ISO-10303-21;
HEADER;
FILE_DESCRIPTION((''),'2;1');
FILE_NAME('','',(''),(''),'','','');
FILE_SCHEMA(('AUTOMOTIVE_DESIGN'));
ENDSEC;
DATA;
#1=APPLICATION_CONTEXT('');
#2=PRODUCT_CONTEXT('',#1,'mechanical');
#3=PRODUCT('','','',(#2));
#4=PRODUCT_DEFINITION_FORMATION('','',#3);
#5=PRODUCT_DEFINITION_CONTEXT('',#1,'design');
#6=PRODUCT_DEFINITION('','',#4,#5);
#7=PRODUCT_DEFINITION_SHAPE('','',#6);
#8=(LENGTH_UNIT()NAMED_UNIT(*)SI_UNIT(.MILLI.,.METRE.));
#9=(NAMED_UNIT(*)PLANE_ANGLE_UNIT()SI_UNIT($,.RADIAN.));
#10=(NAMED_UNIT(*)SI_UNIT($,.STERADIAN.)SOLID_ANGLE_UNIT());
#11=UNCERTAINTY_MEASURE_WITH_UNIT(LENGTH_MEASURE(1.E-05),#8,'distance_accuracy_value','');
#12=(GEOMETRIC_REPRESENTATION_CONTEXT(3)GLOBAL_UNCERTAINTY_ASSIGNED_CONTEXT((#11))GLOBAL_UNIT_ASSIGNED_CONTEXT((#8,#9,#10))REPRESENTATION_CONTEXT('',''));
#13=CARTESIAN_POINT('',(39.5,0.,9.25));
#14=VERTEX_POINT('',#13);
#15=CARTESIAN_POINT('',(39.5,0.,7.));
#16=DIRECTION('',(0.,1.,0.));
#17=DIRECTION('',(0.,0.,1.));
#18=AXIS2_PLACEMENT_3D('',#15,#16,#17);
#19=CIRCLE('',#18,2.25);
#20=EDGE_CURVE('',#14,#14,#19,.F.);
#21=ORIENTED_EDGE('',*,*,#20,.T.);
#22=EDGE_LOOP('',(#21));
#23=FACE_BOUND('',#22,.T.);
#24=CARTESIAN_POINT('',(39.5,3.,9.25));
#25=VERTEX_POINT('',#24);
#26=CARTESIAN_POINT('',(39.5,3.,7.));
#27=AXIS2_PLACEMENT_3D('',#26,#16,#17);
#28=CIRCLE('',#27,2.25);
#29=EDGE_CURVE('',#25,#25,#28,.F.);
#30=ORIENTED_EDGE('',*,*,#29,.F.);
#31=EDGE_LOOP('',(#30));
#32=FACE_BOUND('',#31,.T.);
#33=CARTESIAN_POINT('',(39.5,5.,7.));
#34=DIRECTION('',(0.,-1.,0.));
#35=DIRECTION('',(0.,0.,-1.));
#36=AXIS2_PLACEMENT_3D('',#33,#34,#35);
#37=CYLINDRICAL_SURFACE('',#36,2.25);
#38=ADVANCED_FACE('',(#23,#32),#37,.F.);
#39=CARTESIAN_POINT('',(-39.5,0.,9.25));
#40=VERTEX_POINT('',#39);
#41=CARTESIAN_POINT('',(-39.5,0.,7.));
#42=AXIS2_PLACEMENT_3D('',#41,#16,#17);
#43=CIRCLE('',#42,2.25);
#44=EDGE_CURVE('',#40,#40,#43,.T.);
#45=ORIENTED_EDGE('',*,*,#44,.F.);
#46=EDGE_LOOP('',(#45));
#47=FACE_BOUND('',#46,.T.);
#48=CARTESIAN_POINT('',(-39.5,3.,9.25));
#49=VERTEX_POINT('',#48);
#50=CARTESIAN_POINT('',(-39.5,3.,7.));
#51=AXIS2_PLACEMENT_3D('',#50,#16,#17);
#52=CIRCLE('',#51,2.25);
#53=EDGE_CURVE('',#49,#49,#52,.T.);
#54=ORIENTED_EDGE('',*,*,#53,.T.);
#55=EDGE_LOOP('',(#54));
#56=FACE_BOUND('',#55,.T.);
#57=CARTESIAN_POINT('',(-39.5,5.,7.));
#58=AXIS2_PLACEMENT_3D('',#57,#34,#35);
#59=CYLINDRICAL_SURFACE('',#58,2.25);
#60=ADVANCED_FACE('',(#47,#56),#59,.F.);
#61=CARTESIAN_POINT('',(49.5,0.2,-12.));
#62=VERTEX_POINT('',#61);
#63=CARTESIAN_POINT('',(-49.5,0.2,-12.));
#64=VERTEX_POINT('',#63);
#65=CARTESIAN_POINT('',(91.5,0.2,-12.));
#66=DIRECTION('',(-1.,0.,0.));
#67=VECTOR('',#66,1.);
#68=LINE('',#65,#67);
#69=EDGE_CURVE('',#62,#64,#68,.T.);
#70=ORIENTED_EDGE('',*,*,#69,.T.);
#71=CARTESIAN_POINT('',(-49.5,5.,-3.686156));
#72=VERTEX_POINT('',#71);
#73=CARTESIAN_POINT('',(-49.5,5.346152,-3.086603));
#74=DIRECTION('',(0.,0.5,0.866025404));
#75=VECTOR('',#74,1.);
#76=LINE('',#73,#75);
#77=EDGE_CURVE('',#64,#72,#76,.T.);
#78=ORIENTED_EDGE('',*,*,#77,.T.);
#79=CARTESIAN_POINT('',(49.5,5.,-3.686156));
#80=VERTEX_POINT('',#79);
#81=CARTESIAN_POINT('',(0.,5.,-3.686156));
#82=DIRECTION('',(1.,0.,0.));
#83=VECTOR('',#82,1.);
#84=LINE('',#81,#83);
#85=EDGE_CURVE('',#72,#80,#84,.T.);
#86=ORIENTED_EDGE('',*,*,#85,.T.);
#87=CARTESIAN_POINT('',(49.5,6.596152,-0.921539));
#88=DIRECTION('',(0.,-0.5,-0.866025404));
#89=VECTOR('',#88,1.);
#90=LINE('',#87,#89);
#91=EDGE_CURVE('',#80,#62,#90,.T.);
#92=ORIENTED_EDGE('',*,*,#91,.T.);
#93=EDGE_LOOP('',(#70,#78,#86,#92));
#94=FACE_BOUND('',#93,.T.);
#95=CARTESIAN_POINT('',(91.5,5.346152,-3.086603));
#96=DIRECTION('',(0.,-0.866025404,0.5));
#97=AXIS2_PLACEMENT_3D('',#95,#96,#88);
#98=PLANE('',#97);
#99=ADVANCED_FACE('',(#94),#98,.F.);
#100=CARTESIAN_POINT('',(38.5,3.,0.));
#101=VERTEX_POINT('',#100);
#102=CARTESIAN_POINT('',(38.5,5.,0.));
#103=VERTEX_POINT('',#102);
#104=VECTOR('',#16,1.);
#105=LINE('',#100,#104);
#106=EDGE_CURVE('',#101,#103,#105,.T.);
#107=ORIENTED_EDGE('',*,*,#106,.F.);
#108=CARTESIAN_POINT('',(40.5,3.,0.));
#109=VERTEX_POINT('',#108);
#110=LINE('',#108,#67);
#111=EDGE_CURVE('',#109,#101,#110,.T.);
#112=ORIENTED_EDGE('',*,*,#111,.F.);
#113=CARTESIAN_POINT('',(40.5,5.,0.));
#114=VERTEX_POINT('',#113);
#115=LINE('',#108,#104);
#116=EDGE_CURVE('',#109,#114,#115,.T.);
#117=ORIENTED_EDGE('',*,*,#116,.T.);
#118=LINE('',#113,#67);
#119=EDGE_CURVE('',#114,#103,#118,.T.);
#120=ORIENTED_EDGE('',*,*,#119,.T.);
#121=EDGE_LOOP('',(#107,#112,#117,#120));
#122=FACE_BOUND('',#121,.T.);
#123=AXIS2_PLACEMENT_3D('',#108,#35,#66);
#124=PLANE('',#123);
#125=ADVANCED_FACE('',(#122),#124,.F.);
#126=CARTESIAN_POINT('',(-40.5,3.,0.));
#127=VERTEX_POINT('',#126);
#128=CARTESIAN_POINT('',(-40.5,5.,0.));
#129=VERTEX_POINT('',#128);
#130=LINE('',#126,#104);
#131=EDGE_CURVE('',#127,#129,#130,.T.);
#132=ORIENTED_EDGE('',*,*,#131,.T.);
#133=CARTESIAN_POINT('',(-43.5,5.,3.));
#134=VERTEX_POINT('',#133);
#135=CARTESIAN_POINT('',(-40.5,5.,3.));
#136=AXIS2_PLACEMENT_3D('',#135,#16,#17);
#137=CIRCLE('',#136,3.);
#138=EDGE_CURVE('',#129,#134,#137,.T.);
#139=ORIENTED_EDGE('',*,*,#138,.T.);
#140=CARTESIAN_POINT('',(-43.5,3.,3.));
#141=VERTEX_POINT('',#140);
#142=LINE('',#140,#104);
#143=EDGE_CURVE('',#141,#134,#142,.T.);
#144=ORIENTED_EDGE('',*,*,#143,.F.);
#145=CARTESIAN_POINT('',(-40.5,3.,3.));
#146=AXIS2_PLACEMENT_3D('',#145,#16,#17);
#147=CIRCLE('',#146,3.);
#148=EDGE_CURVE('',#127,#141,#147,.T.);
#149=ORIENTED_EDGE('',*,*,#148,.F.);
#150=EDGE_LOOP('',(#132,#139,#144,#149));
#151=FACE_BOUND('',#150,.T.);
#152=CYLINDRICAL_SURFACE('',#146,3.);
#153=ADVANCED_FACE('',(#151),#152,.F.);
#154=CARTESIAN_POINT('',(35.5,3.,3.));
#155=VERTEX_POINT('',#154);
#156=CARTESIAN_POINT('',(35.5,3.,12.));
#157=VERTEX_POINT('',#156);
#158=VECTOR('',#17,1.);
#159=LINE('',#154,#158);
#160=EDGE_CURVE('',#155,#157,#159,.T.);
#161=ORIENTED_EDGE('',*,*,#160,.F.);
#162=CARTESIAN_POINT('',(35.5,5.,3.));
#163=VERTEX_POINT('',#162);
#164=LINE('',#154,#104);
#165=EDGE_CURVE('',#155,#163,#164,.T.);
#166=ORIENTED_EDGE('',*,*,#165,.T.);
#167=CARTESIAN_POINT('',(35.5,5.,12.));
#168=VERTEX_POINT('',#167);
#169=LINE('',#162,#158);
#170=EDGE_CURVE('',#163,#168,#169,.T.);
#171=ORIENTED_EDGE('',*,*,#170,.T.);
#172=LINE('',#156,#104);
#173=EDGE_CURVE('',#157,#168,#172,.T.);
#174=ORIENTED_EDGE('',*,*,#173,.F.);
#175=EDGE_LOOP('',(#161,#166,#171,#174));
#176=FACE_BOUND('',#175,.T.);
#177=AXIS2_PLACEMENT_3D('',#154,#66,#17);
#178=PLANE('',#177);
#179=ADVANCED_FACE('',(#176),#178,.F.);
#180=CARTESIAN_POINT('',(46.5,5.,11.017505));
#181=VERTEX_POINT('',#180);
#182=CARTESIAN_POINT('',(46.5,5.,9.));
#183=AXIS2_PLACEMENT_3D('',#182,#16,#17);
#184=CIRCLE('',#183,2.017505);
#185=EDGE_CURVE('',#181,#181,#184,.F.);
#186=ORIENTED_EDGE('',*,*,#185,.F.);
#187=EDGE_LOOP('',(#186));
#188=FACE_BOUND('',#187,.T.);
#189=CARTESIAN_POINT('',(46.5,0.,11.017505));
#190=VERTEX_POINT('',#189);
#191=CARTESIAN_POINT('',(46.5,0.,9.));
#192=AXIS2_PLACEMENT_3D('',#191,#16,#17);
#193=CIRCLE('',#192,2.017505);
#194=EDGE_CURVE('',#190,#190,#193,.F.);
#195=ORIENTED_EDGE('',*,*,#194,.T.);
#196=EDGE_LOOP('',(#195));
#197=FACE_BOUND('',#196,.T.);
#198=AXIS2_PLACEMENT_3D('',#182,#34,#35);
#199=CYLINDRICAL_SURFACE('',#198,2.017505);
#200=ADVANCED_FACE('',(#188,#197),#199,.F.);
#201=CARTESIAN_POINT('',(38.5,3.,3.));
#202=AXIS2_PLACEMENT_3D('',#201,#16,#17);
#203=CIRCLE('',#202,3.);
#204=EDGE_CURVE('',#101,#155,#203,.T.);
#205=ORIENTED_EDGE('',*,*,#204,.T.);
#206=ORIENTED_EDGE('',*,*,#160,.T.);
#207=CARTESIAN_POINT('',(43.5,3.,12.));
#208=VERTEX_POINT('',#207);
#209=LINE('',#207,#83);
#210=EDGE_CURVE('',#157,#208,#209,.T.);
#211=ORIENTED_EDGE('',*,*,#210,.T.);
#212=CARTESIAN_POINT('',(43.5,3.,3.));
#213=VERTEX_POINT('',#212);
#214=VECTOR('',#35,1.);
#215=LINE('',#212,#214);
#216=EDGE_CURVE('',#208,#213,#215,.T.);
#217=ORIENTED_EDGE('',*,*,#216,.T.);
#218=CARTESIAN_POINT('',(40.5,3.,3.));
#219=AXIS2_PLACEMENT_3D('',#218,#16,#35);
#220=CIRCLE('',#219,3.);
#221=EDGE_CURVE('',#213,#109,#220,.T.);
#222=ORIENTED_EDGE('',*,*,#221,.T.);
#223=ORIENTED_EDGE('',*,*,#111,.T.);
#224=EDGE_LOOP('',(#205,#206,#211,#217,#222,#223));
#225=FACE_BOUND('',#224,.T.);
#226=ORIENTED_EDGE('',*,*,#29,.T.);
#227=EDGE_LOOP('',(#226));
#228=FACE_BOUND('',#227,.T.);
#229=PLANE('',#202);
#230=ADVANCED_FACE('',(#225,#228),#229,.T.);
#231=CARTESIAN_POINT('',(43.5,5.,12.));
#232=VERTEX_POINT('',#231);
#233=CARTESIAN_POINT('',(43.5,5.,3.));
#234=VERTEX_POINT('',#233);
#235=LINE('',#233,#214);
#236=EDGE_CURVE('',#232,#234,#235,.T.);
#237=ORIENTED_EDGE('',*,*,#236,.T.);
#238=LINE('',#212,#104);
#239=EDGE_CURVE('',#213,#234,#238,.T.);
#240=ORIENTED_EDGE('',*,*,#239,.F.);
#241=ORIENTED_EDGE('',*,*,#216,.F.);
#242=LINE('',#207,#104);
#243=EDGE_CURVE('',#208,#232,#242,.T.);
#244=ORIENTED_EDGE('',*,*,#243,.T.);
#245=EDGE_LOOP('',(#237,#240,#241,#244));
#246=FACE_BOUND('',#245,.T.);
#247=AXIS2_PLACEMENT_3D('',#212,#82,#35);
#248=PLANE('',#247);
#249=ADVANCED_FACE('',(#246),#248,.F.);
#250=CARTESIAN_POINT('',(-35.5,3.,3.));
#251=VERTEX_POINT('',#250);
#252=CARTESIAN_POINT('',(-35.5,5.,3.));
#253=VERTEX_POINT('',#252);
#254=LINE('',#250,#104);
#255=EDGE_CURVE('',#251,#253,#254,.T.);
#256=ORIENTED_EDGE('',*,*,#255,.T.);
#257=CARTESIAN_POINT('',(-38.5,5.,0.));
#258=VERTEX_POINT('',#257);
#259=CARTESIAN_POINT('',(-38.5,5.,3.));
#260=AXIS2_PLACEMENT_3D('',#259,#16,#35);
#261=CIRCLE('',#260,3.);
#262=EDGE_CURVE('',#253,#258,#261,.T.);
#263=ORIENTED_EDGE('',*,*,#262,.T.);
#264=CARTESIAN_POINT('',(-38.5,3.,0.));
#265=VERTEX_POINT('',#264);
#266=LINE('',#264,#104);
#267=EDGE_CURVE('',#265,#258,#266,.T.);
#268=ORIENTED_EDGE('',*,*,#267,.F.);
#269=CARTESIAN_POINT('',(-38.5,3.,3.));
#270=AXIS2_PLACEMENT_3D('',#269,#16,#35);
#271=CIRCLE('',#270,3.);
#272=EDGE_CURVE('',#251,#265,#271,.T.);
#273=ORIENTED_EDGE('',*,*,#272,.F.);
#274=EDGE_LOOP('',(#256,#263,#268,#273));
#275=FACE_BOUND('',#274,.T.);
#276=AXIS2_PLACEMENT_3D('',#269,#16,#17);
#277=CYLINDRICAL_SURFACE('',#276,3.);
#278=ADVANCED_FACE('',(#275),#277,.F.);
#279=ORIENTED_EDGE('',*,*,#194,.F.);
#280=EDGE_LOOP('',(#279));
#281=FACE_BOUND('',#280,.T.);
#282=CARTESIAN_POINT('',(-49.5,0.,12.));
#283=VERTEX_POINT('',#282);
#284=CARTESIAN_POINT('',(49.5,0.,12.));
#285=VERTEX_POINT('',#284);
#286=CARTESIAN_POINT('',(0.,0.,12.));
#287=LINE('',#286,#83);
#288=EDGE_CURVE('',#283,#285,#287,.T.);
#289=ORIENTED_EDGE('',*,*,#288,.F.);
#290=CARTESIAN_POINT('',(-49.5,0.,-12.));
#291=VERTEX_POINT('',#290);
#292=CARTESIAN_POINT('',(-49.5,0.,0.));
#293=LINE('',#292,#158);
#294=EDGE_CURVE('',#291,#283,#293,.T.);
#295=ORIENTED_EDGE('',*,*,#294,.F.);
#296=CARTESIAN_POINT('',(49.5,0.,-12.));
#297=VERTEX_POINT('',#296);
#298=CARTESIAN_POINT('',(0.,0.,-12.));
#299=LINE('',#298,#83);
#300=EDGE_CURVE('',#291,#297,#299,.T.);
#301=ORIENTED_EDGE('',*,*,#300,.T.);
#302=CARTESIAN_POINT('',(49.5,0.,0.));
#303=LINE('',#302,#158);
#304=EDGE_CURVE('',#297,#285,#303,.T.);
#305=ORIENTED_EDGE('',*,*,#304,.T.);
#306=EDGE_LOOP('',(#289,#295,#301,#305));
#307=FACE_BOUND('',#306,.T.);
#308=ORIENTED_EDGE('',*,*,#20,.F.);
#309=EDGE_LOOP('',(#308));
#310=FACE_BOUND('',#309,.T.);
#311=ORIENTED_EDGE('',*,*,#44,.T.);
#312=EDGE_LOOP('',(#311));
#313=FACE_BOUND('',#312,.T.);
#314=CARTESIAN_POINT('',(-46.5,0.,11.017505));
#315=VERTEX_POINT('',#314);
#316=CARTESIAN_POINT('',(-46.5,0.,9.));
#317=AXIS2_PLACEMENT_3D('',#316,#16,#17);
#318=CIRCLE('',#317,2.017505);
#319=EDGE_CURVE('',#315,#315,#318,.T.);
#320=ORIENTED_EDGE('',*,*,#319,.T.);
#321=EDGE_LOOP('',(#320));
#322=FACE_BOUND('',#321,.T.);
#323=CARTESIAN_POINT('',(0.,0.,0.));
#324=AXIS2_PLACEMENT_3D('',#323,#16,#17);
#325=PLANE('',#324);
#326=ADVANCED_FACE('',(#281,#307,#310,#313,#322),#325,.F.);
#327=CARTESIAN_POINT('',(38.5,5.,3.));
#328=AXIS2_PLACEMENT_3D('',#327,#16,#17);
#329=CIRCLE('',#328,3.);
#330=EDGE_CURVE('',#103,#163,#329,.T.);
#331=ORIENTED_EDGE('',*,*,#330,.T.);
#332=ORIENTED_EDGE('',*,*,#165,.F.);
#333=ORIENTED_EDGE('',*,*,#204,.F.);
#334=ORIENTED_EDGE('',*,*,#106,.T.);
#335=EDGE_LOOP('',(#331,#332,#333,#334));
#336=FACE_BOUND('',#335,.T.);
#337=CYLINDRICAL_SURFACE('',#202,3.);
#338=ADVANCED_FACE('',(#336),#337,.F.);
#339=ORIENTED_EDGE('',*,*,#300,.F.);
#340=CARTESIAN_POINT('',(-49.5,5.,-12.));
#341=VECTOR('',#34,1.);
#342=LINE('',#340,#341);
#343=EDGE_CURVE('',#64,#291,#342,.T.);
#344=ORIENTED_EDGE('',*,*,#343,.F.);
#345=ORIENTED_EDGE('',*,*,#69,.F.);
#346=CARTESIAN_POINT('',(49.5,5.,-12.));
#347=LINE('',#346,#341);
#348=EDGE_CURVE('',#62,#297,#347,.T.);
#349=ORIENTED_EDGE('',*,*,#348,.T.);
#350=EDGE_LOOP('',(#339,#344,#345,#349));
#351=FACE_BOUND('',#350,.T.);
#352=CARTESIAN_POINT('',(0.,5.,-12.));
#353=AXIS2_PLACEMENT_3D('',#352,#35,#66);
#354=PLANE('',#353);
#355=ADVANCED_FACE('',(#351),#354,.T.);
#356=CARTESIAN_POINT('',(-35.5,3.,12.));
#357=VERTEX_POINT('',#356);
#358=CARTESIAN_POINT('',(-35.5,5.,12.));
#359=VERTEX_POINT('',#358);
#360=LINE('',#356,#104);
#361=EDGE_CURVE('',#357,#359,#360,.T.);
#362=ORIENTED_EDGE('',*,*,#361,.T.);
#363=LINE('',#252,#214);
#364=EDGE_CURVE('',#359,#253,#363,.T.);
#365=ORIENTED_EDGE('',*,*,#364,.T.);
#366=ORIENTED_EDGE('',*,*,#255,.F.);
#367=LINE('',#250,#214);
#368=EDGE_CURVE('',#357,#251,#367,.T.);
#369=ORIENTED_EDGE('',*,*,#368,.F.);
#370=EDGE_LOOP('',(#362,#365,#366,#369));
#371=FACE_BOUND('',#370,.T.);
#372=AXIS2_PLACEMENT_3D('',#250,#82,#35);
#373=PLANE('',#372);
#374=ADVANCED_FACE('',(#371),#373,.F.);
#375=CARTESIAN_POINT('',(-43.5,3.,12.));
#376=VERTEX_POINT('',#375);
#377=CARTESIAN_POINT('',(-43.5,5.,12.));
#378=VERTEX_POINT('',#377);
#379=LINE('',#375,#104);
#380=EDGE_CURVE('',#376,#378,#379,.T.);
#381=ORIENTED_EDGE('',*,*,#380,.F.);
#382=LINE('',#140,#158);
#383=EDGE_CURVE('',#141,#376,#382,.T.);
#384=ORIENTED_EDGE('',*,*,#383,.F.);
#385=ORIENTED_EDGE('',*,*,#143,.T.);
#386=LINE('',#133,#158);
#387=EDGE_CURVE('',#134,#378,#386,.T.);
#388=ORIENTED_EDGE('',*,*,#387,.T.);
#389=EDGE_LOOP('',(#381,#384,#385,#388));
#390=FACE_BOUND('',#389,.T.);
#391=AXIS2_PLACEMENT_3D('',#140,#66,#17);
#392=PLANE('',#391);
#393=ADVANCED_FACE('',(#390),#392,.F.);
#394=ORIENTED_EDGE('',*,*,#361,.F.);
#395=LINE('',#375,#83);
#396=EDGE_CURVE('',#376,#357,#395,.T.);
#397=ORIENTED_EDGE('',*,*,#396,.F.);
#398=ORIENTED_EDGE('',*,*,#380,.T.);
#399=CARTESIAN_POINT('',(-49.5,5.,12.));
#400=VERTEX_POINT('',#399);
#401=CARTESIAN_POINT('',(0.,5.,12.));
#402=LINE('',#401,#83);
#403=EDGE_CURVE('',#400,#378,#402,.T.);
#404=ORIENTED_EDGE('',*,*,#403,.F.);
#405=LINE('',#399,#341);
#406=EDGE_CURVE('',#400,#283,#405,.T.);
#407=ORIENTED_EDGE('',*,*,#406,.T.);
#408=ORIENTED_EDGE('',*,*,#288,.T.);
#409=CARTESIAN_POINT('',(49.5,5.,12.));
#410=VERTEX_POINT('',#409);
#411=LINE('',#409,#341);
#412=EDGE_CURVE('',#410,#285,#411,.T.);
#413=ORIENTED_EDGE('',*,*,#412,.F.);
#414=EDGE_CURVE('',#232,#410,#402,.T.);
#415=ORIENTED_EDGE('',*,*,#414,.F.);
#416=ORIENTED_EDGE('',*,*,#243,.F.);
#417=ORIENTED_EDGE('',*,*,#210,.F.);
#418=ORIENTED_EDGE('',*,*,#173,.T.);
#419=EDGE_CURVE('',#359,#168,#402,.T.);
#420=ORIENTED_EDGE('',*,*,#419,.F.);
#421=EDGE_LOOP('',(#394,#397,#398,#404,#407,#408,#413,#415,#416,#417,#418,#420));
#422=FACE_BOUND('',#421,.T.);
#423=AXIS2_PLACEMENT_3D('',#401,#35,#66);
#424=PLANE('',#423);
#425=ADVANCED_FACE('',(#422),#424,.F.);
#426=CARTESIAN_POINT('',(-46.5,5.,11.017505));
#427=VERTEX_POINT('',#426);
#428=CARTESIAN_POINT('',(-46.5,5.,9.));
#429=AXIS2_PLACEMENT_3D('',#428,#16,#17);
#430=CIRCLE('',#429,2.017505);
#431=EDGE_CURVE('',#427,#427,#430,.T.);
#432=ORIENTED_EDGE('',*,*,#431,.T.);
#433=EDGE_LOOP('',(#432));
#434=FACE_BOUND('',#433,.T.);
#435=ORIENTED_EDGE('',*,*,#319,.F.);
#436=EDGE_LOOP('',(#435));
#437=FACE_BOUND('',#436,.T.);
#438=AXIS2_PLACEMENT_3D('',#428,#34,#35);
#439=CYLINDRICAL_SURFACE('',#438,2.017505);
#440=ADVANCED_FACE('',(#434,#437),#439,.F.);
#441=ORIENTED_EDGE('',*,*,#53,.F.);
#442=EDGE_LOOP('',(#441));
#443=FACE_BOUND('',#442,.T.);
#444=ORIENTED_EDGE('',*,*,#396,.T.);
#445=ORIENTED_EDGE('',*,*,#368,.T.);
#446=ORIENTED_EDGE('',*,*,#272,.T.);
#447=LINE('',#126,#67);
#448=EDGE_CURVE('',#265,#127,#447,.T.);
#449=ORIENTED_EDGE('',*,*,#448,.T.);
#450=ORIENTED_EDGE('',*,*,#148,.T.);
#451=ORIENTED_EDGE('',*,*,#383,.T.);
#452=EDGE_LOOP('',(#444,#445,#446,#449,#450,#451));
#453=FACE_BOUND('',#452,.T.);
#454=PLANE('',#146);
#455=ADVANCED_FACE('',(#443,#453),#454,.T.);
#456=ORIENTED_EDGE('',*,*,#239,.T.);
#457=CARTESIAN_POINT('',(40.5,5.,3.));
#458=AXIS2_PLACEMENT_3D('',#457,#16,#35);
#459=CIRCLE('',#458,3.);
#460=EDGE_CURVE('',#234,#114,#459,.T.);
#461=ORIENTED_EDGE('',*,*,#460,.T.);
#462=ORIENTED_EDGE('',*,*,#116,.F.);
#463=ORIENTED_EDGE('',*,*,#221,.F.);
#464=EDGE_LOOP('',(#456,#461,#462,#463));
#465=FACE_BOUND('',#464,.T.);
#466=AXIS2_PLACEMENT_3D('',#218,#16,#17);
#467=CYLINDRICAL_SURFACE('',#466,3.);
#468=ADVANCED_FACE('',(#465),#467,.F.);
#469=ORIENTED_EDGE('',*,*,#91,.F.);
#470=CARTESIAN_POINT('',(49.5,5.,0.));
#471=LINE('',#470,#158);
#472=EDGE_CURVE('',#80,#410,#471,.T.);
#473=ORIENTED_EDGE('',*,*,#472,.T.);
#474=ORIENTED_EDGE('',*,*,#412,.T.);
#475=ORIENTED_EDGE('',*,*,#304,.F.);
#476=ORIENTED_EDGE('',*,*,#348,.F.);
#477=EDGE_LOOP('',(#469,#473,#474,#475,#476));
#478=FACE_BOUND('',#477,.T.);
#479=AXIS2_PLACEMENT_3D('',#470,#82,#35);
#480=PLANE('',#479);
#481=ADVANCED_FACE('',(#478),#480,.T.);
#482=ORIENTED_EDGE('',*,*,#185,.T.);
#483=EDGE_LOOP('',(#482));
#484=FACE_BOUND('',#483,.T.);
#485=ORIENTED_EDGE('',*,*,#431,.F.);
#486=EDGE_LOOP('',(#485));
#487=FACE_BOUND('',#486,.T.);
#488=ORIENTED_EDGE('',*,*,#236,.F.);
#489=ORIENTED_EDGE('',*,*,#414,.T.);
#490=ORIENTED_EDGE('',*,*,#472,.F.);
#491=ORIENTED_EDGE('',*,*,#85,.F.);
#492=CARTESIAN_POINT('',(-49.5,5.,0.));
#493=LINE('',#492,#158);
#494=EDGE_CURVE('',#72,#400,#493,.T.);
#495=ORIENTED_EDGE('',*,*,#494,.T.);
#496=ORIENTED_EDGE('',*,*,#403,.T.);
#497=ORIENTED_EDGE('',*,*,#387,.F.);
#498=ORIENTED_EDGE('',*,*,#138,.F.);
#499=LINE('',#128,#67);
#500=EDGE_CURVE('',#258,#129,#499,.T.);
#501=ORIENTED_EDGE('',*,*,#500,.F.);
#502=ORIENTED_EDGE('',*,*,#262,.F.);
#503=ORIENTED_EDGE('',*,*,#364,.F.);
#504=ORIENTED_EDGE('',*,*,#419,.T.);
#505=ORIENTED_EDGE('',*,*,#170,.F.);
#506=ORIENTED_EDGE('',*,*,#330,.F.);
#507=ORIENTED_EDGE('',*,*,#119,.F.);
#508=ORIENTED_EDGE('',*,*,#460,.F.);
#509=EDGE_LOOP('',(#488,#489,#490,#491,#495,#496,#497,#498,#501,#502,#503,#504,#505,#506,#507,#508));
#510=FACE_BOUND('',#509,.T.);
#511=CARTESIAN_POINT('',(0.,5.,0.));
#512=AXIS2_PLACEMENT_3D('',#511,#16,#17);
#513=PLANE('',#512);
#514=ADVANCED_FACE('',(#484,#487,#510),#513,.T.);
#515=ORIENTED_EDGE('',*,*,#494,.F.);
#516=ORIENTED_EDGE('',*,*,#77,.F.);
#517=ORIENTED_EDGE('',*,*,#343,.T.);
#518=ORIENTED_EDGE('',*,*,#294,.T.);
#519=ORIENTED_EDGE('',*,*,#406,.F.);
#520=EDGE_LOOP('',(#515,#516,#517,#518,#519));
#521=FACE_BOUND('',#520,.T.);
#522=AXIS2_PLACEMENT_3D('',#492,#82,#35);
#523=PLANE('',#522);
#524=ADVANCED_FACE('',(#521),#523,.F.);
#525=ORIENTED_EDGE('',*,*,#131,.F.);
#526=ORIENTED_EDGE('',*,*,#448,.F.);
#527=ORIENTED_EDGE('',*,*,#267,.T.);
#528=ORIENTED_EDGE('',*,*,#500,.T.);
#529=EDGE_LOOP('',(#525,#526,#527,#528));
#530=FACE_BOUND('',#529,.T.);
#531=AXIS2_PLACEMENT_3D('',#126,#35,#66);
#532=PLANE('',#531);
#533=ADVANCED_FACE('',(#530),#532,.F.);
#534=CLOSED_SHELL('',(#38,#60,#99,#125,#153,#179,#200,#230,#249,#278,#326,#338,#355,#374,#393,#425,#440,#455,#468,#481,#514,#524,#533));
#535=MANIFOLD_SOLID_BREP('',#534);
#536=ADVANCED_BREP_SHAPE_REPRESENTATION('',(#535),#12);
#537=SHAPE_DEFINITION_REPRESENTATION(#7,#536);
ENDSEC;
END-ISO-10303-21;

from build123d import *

# Parameters (mm, degrees)
CROQUIS1_W              = 99
CROQUIS1_H              = 24
CROQUIS1_R              = 2.017504942
CROQUIS1_R_2            = 2.25
SALIENTE_EXTRUIR1_DEPTH = 5
CORTAR_EXTRUIR1_DEPTH   = 2
CORTAR_EXTRUIR5_DEPTH   = 141


with BuildPart() as part:
    # Croquis1 → Saliente-Extruir1 (new body)
    with BuildSketch(Plane(origin=(0, 0, 0), x_dir=(1, 0, 0), z_dir=(0, 1, 0))):
        Rectangle(CROQUIS1_W, CROQUIS1_H)
        with Locations(Location((-46.5, -9, 0), (0, 0, 270))):
            Circle(CROQUIS1_R, mode=Mode.SUBTRACT)
        with Locations(Location((-39.5, -7, 0), (0, 0, 270))):
            Circle(CROQUIS1_R_2, mode=Mode.SUBTRACT)
        with Locations(Location((39.5, -7, 0), (0, 0, 270))):
            Circle(CROQUIS1_R_2, mode=Mode.SUBTRACT)
        with Locations(Location((46.5, -9, 0), (0, 0, 270))):
            Circle(CROQUIS1_R, mode=Mode.SUBTRACT)
    extrude(amount=SALIENTE_EXTRUIR1_DEPTH)

    # Croquis2 → Cortar-Extruir1 (cut)
    with BuildSketch(Plane(origin=(0, 5, 0), x_dir=(1, 0, 0), z_dir=(0, 1, 0))):
        with BuildLine():
            Line((-43.5, -3), (-43.5, -12))
            Line((-43.5, -12), (-35.5, -12))
            Line((-35.5, -12), (-35.5, -3))
            ThreePointArc((-35.5, -3), (-36.378679656, -0.878679656), (-38.5, 0))
            Line((-38.5, 0), (-40.5, 0))
            ThreePointArc((-40.5, 0), (-42.621320344, -0.878679656), (-43.5, -3))
        make_face()
        with BuildLine():
            Line((40.5, 0), (38.5, 0))
            ThreePointArc((38.5, 0), (36.378679656, -0.878679656), (35.5, -3))
            Line((35.5, -3), (35.5, -12))
            Line((35.5, -12), (43.5, -12))
            Line((43.5, -12), (43.5, -3))
            ThreePointArc((43.5, -3), (42.621320344, -0.878679656), (40.5, 0))
        make_face()
    extrude(amount=-CORTAR_EXTRUIR1_DEPTH, mode=Mode.SUBTRACT)

    # Croquis3 → Cortar-Extruir5 (cut)
    with BuildSketch(Plane.ZY.offset(49.5)):
        Polygon((-12, 5), (-12, 0.2), (-6.100895765, 3.605849418), (-3.686156124, 5), align=None)
        Polygon((-12.757171087, 0.2), (-12, 0.2), (-12, 5), (-3.686156124, 5), (-3.039853353, 5.373143079), (-12.757171087, 5.373143079), align=None)
    extrude(amount=-CORTAR_EXTRUIR5_DEPTH, mode=Mode.SUBTRACT)


solid = part.part
